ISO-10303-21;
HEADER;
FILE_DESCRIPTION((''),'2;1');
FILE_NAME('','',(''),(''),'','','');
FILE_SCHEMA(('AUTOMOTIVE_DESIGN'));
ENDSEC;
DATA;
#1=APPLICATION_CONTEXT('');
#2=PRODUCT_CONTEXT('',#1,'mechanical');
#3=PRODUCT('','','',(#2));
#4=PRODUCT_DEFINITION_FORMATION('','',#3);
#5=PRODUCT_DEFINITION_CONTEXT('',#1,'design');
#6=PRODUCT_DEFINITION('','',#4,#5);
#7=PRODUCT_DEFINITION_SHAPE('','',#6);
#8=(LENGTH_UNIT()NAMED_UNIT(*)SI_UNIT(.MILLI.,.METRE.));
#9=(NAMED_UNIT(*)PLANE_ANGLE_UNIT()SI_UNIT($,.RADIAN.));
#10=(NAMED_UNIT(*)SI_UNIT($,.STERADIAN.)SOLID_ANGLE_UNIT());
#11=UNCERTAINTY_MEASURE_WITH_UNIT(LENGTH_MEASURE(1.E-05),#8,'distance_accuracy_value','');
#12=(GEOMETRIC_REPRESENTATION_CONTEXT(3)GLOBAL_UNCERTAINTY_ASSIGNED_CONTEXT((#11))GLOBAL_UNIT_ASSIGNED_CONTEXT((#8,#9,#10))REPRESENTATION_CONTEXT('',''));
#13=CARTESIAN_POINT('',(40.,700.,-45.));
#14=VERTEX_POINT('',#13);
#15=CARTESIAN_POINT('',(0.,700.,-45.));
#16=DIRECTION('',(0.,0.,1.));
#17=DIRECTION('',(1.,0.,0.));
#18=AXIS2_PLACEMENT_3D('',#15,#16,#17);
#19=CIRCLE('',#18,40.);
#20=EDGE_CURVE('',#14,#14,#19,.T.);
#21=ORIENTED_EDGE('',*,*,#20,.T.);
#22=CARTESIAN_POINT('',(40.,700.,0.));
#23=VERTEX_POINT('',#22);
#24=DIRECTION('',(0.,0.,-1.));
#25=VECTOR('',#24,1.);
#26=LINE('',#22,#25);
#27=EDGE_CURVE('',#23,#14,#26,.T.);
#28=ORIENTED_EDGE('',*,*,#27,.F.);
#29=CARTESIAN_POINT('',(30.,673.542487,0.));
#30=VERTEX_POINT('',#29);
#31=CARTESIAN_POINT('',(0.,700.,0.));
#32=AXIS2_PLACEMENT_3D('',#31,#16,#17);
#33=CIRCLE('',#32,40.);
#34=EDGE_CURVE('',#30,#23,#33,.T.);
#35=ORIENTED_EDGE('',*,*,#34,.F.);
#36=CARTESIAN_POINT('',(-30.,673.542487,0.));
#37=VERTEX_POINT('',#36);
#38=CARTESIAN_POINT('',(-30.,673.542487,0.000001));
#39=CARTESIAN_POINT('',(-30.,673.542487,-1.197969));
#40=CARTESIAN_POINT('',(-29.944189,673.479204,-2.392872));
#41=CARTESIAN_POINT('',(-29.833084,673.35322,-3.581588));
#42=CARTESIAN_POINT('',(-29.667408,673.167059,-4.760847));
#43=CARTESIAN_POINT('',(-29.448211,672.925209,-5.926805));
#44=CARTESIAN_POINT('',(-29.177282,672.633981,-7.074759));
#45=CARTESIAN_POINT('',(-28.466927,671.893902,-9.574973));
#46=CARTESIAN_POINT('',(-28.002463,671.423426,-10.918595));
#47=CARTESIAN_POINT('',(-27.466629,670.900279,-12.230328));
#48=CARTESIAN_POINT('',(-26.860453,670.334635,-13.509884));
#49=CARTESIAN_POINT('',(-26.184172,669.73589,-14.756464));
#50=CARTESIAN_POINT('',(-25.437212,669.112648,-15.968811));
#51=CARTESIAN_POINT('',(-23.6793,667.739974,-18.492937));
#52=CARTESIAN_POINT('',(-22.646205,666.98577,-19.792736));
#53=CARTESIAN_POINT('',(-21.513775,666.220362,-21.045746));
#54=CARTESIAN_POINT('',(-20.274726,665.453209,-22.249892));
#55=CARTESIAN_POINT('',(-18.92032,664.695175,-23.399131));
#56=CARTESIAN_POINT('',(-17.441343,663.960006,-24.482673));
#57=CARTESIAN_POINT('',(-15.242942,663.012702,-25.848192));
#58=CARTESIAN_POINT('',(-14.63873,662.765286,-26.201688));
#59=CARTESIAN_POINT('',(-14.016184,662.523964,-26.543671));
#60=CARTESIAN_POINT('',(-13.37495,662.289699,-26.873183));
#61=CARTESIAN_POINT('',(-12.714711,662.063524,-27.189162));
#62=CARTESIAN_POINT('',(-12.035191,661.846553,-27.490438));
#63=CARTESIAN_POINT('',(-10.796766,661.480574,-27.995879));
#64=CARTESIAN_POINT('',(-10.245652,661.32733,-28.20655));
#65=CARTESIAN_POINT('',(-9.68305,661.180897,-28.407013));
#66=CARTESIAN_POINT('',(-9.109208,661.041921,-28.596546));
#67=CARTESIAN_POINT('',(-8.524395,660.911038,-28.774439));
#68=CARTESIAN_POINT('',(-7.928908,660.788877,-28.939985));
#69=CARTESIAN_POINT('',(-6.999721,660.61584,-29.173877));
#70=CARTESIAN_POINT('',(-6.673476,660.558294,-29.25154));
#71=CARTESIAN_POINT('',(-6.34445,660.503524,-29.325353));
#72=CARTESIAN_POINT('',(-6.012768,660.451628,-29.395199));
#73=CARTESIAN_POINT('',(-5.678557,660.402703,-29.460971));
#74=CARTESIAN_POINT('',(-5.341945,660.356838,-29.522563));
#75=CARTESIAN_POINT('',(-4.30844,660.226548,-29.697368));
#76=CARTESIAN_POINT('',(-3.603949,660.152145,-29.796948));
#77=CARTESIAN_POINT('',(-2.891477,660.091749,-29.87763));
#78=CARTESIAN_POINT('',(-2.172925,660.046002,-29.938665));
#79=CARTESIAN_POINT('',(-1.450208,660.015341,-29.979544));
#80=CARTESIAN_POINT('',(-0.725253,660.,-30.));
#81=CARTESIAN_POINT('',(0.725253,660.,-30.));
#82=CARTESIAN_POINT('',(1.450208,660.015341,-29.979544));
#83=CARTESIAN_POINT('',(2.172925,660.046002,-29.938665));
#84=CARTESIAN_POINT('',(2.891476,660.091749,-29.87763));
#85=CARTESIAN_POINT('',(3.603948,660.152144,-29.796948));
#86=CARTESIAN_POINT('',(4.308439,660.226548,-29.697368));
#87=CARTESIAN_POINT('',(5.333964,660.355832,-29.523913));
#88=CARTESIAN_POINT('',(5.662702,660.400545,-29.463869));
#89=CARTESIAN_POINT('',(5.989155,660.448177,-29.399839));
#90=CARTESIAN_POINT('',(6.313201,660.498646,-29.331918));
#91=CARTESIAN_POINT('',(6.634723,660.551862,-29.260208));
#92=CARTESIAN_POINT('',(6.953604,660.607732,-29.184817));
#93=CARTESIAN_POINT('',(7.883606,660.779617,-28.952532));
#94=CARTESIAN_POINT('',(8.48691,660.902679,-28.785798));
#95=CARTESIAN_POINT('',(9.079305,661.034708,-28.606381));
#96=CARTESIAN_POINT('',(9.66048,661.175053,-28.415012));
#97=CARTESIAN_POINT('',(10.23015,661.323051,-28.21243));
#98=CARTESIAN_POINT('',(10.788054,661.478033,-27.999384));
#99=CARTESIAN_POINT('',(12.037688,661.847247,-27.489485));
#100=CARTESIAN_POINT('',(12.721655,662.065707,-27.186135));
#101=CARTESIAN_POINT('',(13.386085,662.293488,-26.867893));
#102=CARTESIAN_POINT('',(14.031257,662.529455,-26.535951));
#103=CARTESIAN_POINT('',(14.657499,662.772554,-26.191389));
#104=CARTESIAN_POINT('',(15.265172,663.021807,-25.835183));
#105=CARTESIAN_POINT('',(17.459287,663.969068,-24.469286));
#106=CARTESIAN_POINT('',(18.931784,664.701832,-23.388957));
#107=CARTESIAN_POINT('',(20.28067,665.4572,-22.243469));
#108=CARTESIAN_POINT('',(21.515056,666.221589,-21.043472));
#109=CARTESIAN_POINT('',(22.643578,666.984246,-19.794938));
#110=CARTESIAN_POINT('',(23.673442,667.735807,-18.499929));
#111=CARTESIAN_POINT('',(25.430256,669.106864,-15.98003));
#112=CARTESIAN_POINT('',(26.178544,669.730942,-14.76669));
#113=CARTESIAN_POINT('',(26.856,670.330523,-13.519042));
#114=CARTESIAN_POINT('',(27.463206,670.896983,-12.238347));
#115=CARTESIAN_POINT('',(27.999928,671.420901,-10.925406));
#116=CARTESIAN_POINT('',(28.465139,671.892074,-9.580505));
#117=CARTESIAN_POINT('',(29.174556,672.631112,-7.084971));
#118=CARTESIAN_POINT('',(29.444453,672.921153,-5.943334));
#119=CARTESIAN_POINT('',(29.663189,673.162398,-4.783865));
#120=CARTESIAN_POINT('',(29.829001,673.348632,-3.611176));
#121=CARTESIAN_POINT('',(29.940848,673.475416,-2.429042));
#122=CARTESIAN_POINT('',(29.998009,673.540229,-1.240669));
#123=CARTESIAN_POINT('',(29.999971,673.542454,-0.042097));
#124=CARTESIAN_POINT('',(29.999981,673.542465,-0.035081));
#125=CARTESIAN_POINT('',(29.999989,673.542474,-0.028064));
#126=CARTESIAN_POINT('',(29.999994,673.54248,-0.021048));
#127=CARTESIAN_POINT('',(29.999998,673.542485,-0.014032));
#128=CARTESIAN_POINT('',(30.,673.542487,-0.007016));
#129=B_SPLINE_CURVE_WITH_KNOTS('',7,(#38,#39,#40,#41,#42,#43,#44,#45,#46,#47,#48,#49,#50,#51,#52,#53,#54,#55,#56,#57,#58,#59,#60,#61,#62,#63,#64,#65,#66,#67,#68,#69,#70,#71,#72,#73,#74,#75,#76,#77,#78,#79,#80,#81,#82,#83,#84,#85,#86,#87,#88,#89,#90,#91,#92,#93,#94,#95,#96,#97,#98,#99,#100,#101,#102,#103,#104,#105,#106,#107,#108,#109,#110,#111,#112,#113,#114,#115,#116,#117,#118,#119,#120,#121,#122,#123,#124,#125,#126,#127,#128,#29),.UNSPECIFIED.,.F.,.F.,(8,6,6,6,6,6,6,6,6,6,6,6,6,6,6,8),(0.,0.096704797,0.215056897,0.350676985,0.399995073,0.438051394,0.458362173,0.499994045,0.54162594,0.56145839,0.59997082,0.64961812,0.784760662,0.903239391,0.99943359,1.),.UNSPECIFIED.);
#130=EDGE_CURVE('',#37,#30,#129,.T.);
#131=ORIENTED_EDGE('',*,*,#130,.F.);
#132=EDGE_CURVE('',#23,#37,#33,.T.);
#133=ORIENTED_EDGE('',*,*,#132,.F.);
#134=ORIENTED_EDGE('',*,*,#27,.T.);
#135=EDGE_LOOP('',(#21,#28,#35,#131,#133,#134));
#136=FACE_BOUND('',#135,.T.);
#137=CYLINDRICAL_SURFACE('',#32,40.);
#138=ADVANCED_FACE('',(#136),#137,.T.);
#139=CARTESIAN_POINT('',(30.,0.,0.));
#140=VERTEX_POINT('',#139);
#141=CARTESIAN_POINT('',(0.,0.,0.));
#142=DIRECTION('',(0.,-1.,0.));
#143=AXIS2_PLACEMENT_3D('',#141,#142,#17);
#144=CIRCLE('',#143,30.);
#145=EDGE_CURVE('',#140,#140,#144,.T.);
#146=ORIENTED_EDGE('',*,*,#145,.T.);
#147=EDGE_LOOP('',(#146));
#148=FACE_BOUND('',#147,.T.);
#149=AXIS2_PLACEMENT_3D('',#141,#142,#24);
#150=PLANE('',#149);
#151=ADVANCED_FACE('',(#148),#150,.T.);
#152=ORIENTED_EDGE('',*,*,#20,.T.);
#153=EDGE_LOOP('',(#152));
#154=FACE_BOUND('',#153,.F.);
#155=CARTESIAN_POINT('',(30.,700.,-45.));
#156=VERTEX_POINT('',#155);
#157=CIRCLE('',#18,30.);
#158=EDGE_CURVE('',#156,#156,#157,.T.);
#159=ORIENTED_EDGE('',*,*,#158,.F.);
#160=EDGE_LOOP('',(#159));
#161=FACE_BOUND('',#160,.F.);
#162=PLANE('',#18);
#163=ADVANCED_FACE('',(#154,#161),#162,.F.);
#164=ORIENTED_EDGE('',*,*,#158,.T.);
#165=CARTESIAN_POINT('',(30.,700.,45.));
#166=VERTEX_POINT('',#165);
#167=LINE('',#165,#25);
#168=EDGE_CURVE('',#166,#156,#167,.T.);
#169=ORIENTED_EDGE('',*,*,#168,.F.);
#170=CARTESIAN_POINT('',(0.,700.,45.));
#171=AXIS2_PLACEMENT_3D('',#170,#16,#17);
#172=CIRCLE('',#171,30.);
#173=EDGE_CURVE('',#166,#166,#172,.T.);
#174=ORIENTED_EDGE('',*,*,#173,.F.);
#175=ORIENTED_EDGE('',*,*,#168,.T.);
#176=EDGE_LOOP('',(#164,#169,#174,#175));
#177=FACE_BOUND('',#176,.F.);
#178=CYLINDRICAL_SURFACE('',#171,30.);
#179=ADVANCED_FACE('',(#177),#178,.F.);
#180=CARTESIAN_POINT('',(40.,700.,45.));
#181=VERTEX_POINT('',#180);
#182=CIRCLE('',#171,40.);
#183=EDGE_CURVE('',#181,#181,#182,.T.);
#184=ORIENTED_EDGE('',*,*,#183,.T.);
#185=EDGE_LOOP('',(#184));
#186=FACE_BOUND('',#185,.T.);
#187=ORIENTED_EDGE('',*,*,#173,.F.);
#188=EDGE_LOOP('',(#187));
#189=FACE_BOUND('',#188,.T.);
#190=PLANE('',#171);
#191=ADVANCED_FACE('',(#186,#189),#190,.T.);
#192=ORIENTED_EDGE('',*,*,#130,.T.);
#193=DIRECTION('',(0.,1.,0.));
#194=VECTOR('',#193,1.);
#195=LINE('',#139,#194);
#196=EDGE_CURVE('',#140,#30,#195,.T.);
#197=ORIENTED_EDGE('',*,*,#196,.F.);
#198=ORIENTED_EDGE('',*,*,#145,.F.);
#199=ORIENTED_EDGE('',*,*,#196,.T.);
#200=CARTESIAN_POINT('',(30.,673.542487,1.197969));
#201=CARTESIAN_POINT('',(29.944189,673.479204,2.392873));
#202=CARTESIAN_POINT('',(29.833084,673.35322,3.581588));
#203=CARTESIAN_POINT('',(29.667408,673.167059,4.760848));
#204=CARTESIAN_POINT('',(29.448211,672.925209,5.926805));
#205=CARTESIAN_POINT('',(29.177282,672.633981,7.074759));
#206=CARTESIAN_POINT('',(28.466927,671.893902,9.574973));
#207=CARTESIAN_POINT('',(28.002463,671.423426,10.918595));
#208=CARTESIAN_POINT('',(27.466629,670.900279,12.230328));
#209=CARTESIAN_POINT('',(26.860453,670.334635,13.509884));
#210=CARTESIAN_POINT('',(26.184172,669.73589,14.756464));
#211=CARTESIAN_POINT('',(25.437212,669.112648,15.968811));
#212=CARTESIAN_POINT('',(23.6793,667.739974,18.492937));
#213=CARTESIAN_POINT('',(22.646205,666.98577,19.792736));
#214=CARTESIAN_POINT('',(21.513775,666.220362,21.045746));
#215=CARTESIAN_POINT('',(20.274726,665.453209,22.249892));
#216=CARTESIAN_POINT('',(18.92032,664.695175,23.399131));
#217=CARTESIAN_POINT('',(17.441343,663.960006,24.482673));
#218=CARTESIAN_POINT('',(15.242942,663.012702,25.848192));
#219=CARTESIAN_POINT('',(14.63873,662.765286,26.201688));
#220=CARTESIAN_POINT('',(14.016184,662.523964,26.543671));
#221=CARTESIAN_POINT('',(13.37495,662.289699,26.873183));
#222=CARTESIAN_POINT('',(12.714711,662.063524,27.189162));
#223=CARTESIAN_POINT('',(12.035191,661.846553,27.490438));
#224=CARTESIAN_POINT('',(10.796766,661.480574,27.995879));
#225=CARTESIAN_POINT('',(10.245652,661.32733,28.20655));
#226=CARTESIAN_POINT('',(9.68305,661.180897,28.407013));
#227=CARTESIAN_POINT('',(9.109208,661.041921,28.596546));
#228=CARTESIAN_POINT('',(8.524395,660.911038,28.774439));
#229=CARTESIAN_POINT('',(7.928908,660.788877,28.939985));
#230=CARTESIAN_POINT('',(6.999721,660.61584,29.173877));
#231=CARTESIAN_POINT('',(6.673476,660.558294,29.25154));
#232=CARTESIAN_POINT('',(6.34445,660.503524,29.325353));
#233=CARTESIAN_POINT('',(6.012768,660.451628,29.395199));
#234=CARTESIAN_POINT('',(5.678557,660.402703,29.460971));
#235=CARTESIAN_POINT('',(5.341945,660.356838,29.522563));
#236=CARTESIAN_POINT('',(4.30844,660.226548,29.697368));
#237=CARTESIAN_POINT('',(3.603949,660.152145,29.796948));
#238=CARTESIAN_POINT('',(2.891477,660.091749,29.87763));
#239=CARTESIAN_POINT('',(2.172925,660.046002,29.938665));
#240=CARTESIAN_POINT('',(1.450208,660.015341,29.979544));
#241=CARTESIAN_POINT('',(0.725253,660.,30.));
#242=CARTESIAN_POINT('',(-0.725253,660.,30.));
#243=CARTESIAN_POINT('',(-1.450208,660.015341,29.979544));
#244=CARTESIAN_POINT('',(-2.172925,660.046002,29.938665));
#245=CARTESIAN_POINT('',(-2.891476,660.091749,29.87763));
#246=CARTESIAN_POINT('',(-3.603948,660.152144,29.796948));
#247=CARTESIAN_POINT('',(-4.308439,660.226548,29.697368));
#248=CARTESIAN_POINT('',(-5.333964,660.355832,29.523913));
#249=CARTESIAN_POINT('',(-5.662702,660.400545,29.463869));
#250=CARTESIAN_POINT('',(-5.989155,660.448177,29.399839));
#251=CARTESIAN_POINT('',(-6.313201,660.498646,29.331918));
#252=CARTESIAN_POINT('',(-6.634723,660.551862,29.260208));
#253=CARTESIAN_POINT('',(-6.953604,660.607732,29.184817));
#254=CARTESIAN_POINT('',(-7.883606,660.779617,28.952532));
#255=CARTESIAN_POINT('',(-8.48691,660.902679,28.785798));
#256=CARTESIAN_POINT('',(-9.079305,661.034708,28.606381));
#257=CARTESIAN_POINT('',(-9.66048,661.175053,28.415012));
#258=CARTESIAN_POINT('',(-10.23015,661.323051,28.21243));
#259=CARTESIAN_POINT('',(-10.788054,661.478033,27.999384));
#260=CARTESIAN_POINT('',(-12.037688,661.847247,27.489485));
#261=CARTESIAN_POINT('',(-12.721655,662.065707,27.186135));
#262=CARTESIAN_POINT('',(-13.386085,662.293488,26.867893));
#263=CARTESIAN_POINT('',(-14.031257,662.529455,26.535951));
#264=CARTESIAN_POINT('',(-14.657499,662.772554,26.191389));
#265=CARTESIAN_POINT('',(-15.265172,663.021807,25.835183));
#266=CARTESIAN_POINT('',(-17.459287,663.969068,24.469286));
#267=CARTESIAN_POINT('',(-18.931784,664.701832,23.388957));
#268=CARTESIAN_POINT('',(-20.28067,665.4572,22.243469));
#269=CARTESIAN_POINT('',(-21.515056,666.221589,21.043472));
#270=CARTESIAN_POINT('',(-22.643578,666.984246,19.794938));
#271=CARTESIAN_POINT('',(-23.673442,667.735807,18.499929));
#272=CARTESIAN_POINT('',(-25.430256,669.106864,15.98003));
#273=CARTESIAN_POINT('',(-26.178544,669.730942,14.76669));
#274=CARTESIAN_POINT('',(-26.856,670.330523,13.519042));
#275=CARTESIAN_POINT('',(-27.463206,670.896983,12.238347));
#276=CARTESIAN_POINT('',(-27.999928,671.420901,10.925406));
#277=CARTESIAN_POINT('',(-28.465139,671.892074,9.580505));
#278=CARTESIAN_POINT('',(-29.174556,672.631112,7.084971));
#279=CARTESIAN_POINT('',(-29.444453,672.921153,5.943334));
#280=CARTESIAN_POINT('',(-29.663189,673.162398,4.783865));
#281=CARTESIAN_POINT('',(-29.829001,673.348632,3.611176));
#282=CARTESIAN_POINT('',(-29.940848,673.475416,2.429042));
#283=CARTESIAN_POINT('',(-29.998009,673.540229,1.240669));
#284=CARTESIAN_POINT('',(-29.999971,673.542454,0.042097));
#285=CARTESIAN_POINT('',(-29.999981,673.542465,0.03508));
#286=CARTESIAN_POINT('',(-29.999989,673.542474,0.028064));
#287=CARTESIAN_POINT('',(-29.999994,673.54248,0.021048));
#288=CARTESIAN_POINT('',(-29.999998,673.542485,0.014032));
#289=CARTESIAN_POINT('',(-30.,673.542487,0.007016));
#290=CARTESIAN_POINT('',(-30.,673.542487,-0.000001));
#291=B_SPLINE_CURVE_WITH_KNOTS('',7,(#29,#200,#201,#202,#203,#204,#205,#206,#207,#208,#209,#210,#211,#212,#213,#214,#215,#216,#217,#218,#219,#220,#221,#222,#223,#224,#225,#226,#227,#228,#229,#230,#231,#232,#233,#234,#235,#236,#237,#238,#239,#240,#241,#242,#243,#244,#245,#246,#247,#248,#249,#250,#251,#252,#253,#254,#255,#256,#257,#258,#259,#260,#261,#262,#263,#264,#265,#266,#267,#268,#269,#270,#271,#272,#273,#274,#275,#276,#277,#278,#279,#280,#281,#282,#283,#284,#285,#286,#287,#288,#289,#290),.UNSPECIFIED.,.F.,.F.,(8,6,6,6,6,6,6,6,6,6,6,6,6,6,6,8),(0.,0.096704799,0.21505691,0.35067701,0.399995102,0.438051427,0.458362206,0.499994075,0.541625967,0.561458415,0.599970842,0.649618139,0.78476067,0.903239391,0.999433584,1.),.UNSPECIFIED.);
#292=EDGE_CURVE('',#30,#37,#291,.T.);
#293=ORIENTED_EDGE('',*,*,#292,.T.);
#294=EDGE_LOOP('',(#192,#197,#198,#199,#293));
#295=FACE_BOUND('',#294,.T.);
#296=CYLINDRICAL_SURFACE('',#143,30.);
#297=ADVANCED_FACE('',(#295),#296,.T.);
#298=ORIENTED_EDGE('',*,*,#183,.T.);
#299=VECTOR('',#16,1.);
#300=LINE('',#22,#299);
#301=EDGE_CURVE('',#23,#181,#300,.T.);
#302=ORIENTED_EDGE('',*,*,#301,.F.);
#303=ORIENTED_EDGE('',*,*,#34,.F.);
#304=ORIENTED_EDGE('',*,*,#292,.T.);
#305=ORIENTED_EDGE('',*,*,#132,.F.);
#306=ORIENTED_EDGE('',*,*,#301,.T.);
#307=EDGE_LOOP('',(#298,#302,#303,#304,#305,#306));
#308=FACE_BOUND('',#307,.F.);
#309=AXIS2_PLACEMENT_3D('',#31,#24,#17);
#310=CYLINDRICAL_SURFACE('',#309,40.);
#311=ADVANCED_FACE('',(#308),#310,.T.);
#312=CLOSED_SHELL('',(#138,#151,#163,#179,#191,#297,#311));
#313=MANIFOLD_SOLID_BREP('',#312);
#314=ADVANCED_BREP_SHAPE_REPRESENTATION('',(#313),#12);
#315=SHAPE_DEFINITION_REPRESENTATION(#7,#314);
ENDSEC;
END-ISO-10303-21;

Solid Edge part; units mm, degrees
sketch "Sketch1" plane through (0, 0, 0) normal (0, -1, 0) x (1, 0, 0)
  circle A0 centre (0, 0) radius 30
  dimension "D1" = 60
extrude "ExtrudedProtrusion_1" add sketch "Sketch1" against normal blind 700
sketch "Sketch2" plane through (0, 0, 0) normal (0, 0, 1) x (1, 0, 0)
  circle A0 centre (0, 700) radius 40
extrude "Protrusion1" add sketch "Sketch2" along normal mid plane 90
sketch "Sketch3" plane through (0, 528, 45) normal (0, 0, 1) x (1, 0, 0)
  circle A0 centre (0, 172) radius 30
extrude "Cutout1" cut sketch "Sketch3" against normal through all
